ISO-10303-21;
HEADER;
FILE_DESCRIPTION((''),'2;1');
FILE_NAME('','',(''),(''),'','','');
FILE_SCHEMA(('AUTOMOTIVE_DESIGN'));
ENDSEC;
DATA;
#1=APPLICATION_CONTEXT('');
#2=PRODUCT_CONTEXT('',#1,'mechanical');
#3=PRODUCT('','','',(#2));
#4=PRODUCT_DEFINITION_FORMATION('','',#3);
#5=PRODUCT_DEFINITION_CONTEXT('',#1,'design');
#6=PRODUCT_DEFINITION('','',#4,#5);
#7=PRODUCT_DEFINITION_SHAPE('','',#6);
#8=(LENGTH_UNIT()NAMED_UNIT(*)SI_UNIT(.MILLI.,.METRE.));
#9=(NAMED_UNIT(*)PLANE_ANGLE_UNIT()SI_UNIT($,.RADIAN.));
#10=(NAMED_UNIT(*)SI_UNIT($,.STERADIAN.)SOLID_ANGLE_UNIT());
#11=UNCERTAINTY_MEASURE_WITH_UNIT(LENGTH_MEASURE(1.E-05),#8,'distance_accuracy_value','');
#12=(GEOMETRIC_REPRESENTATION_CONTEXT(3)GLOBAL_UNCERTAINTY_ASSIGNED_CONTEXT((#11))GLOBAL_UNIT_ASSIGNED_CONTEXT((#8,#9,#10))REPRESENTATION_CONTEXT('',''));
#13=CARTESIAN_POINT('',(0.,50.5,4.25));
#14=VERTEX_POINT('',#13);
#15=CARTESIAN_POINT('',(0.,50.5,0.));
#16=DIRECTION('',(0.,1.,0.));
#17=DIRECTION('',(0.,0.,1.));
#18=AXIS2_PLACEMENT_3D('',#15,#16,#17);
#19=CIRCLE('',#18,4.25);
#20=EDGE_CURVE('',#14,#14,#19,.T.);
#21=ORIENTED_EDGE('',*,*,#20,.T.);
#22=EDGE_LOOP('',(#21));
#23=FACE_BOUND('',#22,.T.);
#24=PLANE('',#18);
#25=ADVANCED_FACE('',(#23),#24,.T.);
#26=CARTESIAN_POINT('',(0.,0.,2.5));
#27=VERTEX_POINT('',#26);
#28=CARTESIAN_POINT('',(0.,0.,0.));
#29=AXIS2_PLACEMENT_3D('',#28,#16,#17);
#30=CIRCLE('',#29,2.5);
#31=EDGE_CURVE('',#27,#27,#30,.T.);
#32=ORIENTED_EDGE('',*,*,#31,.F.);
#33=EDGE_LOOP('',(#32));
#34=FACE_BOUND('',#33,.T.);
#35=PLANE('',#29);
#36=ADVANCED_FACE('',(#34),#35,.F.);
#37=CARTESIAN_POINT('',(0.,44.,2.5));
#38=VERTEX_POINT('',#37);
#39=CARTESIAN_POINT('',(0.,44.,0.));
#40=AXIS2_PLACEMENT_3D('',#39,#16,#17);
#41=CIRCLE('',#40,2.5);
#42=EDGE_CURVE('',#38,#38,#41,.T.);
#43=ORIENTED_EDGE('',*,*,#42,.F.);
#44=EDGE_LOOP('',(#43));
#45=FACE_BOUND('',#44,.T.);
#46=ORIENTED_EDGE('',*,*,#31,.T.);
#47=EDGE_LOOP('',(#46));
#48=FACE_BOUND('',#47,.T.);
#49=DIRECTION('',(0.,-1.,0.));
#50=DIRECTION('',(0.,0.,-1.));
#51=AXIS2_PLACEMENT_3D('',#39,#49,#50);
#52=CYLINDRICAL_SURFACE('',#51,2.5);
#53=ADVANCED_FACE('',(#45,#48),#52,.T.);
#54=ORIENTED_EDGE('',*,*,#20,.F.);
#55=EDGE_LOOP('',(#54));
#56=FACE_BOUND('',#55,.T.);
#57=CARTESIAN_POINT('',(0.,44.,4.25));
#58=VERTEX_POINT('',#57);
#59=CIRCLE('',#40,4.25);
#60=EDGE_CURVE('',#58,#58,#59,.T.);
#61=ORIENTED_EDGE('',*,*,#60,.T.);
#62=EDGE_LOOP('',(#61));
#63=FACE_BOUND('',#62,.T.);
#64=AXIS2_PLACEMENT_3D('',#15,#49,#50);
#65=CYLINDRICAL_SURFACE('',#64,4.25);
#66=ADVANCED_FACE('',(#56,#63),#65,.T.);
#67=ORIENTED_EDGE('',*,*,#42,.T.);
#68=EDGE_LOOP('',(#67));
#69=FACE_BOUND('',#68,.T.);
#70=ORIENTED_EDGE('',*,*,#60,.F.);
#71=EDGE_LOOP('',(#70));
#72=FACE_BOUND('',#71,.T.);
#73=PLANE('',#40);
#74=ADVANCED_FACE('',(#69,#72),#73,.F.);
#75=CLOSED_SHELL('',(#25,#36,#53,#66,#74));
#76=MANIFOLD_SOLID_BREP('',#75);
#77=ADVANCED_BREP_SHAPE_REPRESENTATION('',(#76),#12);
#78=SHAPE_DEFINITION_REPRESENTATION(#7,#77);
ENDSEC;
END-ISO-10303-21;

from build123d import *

# Parameters (mm, degrees)
SKETCH1_R           = 2.5
BOSS_EXTRUDE1_DEPTH = 44
SKETCH2_R           = 4.25
BOSS_EXTRUDE2_DEPTH = 6.5


with BuildPart() as part:
    # Sketch1 → Boss-Extrude1 (new body)
    with BuildSketch(Plane(origin=(0, 0, 0), x_dir=(1, 0, 0), z_dir=(0, 1, 0))):
        Circle(SKETCH1_R)
    extrude(amount=BOSS_EXTRUDE1_DEPTH)

    # Sketch2 → Boss-Extrude2 (add)
    with BuildSketch(Plane(origin=(0, 44, 0), x_dir=(1, 0, 0), z_dir=(0, 1, 0))):
        Circle(SKETCH2_R)
    extrude(amount=BOSS_EXTRUDE2_DEPTH)


solid = part.part
